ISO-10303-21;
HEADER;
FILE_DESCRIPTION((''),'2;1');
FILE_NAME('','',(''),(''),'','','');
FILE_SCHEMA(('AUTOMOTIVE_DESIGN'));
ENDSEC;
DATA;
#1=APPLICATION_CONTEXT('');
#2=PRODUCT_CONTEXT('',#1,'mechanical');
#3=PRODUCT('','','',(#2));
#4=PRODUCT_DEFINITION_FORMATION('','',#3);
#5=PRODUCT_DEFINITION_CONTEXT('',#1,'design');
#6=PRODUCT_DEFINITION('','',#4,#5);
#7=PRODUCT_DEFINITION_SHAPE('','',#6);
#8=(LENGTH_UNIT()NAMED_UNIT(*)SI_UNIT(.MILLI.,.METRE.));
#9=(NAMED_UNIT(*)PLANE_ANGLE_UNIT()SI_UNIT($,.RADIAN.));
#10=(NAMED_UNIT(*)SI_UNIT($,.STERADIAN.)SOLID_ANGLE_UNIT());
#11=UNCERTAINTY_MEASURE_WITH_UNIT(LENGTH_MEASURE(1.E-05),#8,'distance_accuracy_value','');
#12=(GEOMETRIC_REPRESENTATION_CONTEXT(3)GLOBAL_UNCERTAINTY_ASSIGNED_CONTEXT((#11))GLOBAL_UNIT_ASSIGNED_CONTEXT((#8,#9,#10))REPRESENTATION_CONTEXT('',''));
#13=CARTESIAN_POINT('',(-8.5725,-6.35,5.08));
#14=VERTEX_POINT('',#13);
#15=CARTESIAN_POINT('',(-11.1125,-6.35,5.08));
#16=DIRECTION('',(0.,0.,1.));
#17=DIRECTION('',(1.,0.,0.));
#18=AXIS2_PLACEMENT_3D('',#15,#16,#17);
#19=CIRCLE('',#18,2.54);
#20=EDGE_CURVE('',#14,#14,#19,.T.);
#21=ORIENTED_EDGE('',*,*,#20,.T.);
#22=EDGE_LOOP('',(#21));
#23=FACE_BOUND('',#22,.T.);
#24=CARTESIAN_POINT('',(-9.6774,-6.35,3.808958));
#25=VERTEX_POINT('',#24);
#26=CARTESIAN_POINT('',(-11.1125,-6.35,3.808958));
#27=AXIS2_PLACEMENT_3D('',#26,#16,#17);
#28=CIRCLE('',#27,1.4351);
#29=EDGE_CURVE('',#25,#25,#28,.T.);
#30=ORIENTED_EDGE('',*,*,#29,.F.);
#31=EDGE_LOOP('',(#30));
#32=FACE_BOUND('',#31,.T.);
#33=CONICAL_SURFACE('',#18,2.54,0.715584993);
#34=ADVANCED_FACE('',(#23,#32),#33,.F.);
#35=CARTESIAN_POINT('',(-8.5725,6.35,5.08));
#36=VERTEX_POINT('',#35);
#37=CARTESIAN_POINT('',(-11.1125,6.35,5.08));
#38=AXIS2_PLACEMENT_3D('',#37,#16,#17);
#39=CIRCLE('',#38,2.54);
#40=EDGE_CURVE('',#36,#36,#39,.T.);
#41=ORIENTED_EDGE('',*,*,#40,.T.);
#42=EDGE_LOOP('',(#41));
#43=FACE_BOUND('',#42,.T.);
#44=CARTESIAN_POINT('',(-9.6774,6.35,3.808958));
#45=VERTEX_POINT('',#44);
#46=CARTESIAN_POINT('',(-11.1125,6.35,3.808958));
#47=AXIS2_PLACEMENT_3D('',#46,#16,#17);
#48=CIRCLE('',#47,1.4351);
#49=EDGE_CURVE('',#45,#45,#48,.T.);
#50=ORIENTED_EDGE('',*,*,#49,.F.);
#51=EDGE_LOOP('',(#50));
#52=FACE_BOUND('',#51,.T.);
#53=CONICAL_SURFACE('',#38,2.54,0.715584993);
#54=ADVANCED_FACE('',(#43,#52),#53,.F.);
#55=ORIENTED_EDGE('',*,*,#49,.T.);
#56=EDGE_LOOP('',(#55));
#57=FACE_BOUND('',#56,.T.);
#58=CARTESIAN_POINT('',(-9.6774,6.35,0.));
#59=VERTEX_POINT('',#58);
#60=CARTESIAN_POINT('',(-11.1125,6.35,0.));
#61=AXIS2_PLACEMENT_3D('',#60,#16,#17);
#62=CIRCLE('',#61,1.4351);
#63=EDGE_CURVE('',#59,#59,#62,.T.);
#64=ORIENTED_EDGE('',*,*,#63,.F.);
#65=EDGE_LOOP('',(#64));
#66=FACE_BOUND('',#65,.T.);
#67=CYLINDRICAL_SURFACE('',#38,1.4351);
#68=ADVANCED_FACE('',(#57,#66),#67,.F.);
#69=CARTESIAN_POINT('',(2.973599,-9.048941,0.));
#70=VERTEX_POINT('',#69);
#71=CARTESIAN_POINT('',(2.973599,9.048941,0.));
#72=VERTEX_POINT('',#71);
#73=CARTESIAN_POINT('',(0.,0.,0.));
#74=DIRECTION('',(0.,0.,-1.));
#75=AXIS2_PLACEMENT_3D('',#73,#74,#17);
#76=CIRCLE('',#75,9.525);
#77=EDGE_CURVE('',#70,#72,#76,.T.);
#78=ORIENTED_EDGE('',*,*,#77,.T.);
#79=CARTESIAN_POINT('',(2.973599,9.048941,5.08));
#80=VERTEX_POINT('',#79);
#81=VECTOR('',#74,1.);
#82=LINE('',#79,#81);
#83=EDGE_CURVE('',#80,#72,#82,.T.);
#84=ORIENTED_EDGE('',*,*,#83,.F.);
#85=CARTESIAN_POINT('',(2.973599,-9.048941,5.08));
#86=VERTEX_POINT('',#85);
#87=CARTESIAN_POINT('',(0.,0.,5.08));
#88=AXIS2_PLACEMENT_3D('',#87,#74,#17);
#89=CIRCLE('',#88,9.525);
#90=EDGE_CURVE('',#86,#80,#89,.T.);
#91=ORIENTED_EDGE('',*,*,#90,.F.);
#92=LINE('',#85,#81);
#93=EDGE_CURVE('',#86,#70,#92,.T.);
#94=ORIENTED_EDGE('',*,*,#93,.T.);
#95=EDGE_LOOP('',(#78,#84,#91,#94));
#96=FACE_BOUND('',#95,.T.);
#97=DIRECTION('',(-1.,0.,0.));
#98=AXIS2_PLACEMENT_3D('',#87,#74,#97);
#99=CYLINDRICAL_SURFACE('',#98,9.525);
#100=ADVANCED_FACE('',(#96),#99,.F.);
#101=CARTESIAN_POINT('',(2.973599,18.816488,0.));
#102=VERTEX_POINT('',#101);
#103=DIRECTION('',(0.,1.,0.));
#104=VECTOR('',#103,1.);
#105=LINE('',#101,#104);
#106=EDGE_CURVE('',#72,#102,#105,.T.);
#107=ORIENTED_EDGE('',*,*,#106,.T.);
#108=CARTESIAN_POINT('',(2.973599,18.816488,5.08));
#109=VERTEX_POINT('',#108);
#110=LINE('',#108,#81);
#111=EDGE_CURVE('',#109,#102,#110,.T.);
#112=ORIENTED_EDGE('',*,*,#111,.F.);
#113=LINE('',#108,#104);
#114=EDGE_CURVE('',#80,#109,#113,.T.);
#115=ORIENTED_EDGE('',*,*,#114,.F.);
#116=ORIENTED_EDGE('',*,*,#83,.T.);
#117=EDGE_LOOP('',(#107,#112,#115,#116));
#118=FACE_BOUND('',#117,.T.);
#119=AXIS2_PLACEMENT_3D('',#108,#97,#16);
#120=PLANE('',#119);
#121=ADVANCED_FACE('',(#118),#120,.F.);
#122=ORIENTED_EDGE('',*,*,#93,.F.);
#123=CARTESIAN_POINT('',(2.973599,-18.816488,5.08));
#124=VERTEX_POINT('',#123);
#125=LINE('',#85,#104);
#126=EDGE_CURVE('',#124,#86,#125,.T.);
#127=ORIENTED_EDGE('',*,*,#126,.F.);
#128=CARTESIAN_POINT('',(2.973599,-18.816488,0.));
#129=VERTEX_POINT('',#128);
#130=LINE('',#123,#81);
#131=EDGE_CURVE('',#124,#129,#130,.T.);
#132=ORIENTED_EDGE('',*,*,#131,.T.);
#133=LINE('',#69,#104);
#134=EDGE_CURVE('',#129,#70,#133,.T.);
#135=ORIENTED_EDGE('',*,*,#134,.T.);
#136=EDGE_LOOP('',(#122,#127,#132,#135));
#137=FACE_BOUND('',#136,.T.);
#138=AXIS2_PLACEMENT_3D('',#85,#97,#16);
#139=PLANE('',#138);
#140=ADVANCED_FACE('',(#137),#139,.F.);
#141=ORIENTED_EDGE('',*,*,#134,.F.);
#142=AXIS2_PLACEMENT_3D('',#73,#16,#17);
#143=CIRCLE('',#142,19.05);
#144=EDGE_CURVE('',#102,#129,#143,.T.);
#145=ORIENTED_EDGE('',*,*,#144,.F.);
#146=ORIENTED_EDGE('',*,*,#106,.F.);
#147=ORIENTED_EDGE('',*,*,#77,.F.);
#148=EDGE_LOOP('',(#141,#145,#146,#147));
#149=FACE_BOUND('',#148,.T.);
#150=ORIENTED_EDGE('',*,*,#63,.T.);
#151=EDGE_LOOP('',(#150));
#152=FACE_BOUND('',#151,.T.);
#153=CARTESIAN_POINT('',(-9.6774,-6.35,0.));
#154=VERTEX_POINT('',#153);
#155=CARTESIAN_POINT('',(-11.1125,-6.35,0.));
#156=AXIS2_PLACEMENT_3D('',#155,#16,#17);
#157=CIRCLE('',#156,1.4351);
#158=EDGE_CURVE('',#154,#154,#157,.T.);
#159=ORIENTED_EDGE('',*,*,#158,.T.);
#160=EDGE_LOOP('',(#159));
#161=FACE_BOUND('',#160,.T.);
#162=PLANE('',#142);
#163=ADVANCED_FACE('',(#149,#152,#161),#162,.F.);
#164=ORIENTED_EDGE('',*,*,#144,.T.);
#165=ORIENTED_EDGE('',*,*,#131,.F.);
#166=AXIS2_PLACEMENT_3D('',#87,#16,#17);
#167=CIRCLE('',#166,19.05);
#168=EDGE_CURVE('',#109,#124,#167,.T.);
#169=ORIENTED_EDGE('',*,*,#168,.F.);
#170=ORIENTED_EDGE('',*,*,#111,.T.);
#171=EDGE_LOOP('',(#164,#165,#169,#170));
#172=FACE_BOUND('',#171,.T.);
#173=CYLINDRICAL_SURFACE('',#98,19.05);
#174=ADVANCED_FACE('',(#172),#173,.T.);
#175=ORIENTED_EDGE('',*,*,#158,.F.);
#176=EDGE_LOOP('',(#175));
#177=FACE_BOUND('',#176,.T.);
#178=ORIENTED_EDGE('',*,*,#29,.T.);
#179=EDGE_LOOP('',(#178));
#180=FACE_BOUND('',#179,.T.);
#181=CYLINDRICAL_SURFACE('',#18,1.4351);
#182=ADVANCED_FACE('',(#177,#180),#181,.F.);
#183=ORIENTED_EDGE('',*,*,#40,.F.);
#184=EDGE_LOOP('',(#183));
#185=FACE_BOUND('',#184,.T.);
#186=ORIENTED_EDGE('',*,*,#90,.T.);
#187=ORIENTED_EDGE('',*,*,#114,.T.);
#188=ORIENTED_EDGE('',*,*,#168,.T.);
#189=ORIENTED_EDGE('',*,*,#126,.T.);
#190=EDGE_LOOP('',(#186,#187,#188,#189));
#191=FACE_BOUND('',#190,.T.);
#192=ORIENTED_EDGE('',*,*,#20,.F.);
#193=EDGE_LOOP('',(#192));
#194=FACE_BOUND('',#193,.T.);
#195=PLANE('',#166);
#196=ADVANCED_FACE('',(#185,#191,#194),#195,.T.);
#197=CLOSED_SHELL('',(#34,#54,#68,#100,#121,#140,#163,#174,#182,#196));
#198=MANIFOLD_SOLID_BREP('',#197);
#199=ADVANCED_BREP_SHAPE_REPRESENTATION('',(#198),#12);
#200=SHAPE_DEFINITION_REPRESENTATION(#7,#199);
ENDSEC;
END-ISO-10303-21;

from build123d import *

# Parameters (mm, degrees)
BOSS_EXTRUDE1_DEPTH                                = 5.08
CSK_FOR_10_FLAT_HEAD_MACHINE_SCREW_100_D           = 2.8702
CSK_FOR_10_FLAT_HEAD_MACHINE_SCREW_100_CSINK_D     = 5.08
CSK_FOR_10_FLAT_HEAD_MACHINE_SCREW_100_CSINK_ANGLE = 82


with BuildPart() as part:
    # Sketch2 → Boss-Extrude1 (new body)
    with BuildSketch(Plane.XY):
        with BuildLine():
            Line((2.973598589, 18.816487755), (2.973598589, 9.048941177))
            ThreePointArc((2.973598589, 9.048941177), (-9.525, 0), (2.973598589, -9.048941177))
            Line((2.973598589, -9.048941177), (2.973598589, -18.816487755))
            ThreePointArc((2.973598589, -18.816487755), (-19.05, 0), (2.973598589, 18.816487755))
        make_face()
    extrude(amount=BOSS_EXTRUDE1_DEPTH)

    # CSK for #10 Flat Head Machine Screw (100)1 (through all)
    with Locations(Plane(origin=(-11.1125, 6.35, 5.08), x_dir=(1, 0, 0), z_dir=(0, 0, 1))):
        with Locations((0, 0), (0, -12.7)):
            CounterSinkHole(CSK_FOR_10_FLAT_HEAD_MACHINE_SCREW_100_D / 2, CSK_FOR_10_FLAT_HEAD_MACHINE_SCREW_100_CSINK_D / 2, counter_sink_angle=CSK_FOR_10_FLAT_HEAD_MACHINE_SCREW_100_CSINK_ANGLE)


solid = part.part
